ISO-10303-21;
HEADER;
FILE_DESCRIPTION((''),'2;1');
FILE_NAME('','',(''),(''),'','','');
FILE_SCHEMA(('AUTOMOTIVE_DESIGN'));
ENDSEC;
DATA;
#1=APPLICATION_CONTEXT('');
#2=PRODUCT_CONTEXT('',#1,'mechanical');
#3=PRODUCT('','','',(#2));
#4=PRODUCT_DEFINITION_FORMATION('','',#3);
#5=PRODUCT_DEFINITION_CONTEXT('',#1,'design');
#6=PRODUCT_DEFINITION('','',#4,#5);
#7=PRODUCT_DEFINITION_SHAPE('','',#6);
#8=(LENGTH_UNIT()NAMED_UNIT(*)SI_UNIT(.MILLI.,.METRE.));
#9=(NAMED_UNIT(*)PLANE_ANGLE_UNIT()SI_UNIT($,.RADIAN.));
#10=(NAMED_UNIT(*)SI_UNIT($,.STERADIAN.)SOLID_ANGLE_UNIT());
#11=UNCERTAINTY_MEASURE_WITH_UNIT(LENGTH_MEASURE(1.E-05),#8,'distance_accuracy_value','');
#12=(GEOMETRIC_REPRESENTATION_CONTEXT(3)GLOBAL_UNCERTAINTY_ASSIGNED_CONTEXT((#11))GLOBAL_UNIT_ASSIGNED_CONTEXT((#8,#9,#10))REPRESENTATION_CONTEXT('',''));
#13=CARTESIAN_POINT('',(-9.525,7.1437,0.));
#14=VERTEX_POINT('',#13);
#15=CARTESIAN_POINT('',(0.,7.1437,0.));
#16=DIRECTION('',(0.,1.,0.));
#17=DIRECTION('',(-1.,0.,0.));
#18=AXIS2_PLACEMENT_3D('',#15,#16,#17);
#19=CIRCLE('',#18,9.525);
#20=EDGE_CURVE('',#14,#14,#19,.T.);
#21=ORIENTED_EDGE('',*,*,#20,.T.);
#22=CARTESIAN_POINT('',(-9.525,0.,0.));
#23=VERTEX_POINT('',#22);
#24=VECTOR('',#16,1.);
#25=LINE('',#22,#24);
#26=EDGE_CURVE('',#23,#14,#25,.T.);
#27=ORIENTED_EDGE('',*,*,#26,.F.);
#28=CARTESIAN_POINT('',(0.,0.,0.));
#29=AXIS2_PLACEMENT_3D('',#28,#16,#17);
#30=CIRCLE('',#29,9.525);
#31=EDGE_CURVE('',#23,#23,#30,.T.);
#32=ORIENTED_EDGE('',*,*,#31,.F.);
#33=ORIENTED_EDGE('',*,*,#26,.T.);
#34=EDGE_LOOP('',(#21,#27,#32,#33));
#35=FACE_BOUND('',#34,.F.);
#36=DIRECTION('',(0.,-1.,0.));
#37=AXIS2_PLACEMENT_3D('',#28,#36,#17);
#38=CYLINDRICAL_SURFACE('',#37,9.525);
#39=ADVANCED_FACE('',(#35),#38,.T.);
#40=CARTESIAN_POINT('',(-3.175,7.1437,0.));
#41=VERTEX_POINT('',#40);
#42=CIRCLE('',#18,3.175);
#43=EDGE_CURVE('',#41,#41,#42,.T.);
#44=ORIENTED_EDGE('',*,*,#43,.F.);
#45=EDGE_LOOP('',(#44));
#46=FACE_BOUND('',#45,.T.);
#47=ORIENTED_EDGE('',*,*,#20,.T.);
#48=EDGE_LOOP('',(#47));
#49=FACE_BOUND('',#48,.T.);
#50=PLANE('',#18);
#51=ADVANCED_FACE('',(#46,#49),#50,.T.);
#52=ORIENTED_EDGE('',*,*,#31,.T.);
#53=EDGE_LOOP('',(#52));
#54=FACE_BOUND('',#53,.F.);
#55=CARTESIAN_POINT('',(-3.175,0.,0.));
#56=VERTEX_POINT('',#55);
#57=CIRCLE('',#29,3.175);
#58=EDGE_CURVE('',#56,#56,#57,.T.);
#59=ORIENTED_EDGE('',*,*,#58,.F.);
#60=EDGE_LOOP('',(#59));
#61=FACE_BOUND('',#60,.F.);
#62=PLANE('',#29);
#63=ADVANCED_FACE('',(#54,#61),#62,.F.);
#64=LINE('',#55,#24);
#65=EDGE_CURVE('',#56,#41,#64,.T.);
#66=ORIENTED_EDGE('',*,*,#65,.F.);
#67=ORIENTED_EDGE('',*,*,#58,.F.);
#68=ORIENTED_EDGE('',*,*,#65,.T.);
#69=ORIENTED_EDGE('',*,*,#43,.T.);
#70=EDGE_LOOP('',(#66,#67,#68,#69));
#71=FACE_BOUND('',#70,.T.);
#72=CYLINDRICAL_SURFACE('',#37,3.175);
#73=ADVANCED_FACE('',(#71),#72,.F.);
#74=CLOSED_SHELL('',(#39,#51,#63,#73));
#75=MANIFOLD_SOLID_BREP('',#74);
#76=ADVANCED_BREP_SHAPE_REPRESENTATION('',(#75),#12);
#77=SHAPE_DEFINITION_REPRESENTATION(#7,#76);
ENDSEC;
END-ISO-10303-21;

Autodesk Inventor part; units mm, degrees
ref_plane "YZ Plane" through (0, 0, 0) normal (1, 0, 0) x (0, 1, 0)
ref_plane "XZ Plane" through (0, 0, 0) normal (0, 1, 0) x (-1, 0, 0)
ref_plane "XY Plane" through (0, 0, 0) normal (0, 0, 1) x (1, 0, 0)
sketch "Sketch1" plane through (0, 0, 0) normal (0, 1, 0) x (-1, 0, 0)
  circle A0 centre (0, 0) radius 3.175
  circle A1 centre (0, 0) radius 9.525
  dimension "d0" = 6.35
  dimension "d1" = 19.05
extrude "Extrusion1" add sketch "Sketch1" along normal blind 7.1437
properties part number "bearing1-4in"
